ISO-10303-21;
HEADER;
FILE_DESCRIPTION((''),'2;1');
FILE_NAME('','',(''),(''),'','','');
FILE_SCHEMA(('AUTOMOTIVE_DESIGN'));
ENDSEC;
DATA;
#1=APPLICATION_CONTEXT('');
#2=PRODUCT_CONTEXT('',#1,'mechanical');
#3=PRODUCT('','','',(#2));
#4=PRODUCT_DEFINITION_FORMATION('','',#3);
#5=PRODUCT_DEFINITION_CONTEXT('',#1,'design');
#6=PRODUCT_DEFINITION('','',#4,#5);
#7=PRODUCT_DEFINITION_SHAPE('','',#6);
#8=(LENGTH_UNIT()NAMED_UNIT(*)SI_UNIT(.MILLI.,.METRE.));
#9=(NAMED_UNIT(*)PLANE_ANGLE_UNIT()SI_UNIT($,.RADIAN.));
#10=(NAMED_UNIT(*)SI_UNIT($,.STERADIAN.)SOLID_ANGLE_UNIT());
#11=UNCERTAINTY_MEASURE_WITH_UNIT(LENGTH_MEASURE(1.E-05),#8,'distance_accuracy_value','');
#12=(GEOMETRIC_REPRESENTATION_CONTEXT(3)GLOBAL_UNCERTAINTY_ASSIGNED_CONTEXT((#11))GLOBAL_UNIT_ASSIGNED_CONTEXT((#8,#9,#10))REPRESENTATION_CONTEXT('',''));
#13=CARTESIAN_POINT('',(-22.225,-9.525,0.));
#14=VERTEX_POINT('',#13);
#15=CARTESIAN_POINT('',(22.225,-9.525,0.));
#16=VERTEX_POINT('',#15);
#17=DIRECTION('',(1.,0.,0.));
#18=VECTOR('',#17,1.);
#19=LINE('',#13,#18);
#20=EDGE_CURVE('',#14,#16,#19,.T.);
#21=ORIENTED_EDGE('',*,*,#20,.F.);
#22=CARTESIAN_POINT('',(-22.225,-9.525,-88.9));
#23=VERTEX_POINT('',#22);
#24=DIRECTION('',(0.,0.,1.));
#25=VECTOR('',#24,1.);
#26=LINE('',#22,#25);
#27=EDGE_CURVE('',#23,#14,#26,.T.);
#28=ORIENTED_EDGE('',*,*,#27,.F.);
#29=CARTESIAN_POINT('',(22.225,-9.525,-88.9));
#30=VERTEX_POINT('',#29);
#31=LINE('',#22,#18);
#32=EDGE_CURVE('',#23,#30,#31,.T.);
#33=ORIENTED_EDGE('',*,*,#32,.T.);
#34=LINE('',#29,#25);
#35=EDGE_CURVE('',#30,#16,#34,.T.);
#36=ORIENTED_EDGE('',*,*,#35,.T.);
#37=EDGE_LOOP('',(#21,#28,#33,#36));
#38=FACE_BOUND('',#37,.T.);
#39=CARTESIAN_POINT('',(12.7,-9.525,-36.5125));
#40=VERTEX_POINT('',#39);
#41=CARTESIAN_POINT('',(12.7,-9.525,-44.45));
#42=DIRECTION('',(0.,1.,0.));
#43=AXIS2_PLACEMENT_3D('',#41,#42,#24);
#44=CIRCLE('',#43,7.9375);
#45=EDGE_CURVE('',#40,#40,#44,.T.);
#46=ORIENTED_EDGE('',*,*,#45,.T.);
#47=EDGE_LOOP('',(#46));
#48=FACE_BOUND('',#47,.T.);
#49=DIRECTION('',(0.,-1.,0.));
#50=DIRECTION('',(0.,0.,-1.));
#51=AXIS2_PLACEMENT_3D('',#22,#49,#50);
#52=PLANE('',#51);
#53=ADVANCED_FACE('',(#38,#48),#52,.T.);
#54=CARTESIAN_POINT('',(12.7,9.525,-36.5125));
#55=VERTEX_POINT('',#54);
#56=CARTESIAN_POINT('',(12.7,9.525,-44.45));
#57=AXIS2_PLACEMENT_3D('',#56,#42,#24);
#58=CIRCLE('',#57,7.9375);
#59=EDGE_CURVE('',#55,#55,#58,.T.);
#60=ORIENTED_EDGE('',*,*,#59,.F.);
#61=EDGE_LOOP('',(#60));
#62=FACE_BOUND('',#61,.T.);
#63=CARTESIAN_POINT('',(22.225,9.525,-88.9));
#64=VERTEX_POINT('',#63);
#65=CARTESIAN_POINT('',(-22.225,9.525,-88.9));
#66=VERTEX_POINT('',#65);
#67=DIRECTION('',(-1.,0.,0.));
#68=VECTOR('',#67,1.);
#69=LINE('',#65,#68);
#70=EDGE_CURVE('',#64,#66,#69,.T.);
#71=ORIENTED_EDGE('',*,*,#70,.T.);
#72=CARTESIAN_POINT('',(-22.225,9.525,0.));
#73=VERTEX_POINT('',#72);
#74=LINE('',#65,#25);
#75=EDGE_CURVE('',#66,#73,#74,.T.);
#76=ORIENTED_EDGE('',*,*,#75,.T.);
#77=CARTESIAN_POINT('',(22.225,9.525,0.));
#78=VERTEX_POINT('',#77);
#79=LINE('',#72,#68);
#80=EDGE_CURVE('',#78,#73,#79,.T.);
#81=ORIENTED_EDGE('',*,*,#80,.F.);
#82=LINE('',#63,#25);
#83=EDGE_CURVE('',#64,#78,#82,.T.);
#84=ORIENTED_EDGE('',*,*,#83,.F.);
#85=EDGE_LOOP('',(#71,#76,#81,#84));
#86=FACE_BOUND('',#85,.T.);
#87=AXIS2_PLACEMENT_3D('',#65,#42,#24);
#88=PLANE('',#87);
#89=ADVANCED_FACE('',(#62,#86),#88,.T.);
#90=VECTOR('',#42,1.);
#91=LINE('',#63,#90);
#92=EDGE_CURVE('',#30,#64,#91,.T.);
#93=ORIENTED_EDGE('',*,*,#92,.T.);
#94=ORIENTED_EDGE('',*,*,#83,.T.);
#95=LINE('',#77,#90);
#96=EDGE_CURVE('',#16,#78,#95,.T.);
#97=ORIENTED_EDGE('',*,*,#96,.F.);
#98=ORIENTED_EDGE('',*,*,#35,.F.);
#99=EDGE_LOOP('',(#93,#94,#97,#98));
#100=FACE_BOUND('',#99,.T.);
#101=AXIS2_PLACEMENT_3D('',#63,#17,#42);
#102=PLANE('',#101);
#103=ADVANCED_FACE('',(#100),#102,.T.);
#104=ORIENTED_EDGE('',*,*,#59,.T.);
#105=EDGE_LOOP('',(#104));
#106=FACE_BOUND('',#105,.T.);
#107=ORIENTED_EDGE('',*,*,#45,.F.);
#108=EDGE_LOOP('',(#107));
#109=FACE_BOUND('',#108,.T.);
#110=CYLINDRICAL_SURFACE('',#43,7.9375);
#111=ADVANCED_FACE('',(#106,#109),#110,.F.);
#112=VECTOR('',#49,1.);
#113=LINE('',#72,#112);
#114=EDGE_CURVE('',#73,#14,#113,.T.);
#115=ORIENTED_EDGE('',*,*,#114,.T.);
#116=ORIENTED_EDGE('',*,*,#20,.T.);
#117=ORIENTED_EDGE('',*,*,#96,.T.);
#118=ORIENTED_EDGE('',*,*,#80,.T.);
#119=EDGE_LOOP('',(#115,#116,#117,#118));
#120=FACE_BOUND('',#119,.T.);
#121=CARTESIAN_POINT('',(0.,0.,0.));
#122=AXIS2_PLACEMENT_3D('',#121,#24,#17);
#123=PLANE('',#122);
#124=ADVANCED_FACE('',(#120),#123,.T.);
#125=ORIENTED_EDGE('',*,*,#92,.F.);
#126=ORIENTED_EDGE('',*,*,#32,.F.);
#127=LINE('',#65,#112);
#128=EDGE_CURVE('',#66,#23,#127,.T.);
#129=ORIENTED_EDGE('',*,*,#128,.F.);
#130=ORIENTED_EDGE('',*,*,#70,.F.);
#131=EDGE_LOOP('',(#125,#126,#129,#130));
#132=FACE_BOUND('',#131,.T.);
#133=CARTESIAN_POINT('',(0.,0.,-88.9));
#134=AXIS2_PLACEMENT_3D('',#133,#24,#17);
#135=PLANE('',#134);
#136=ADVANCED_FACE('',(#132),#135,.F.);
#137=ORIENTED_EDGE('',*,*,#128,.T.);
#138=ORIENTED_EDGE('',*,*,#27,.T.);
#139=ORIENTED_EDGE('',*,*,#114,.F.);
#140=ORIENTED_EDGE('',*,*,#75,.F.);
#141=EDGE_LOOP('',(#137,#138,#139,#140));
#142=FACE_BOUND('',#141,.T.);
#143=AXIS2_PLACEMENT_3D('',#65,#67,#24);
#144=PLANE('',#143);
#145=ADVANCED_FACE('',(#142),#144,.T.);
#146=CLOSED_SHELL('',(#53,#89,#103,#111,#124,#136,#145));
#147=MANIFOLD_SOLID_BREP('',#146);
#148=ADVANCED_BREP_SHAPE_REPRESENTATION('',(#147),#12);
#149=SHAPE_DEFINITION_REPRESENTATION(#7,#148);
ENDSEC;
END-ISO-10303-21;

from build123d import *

# Parameters (mm, degrees)
SKETCH1_W           = 44.45
SKETCH1_H           = 19.05
BOSS_EXTRUDE1_DEPTH = 88.9
SKETCH3_R           = 7.9375
CUT_EXTRUDE1_DEPTH  = 20.05


with BuildPart() as part:
    # Sketch1 → Boss-Extrude1 (new body)
    with BuildSketch(Plane.XY):
        Rectangle(SKETCH1_W, SKETCH1_H)
    extrude(amount=-BOSS_EXTRUDE1_DEPTH)

    # Sketch3 → Cut-Extrude1 (cut, through all)
    with BuildSketch(Plane(origin=(0, 9.525, 0), x_dir=(1, 0, 0), z_dir=(0, 1, 0))):
        with Locations((12.7, 44.45)):
            Circle(SKETCH3_R)
    extrude(amount=-CUT_EXTRUDE1_DEPTH, mode=Mode.SUBTRACT)


solid = part.part
